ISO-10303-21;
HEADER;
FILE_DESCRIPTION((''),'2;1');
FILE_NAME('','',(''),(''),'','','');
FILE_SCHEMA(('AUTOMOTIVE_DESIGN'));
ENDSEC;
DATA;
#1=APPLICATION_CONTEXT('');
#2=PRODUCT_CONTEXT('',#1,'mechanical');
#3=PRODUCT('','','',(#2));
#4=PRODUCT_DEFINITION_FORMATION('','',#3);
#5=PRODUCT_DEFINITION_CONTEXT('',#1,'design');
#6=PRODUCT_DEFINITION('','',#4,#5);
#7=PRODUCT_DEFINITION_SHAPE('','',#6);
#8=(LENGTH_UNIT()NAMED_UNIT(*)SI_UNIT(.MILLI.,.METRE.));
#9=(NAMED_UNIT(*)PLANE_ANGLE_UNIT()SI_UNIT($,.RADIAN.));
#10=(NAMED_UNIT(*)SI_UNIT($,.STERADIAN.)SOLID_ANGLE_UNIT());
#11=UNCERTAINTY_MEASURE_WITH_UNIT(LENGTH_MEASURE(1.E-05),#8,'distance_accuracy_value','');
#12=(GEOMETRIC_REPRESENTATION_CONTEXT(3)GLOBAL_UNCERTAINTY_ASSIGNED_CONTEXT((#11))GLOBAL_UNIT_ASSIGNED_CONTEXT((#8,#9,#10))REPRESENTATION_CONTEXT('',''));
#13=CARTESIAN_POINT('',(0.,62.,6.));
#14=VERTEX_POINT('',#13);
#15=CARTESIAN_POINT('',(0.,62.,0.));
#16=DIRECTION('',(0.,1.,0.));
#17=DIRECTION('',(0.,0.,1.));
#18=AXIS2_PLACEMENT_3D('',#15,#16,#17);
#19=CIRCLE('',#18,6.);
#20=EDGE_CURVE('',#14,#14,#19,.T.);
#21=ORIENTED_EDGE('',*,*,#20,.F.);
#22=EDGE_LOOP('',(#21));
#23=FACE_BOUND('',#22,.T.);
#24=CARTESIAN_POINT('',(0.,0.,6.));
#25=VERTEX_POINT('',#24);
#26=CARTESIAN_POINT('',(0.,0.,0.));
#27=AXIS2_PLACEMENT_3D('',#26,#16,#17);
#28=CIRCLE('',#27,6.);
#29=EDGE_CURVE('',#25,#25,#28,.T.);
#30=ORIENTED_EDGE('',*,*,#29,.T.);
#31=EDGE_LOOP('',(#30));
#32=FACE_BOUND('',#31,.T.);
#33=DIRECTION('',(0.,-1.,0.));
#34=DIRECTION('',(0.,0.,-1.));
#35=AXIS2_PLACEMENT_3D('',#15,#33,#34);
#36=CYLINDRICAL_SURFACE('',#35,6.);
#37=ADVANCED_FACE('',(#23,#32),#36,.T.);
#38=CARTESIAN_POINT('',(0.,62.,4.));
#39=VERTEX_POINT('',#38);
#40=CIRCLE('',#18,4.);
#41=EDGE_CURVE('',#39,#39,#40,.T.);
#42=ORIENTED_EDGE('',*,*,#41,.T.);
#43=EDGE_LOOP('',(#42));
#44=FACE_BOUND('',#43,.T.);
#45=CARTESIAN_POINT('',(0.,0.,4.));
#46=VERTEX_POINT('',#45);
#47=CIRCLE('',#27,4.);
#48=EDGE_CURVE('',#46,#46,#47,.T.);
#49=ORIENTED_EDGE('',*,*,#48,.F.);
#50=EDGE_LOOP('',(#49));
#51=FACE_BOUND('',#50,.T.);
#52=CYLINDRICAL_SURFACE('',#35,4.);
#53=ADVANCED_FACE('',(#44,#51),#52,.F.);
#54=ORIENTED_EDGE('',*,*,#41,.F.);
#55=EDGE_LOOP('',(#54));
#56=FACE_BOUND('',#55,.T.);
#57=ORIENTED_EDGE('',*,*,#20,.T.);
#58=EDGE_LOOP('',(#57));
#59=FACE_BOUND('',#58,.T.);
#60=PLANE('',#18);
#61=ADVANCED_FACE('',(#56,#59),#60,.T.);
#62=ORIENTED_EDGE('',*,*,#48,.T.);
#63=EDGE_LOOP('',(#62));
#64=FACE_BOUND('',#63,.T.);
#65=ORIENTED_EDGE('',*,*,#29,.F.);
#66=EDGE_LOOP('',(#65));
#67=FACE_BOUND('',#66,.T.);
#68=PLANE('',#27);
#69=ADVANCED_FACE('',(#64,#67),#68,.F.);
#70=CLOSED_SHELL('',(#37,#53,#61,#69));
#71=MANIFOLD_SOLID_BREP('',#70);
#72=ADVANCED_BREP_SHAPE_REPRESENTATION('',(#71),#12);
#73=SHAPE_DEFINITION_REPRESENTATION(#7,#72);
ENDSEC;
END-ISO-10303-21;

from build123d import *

# Parameters (mm, degrees)
SKETCH1_R           = 6
SKETCH1_R_2         = 4
BOSS_EXTRUDE1_DEPTH = 62


with BuildPart() as part:
    # Sketch1 → Boss-Extrude1 (new body)
    with BuildSketch(Plane(origin=(0, 0, 0), x_dir=(1, 0, 0), z_dir=(0, 1, 0))):
        Circle(SKETCH1_R)
        Circle(SKETCH1_R_2, mode=Mode.SUBTRACT)
    extrude(amount=BOSS_EXTRUDE1_DEPTH)


solid = part.part
